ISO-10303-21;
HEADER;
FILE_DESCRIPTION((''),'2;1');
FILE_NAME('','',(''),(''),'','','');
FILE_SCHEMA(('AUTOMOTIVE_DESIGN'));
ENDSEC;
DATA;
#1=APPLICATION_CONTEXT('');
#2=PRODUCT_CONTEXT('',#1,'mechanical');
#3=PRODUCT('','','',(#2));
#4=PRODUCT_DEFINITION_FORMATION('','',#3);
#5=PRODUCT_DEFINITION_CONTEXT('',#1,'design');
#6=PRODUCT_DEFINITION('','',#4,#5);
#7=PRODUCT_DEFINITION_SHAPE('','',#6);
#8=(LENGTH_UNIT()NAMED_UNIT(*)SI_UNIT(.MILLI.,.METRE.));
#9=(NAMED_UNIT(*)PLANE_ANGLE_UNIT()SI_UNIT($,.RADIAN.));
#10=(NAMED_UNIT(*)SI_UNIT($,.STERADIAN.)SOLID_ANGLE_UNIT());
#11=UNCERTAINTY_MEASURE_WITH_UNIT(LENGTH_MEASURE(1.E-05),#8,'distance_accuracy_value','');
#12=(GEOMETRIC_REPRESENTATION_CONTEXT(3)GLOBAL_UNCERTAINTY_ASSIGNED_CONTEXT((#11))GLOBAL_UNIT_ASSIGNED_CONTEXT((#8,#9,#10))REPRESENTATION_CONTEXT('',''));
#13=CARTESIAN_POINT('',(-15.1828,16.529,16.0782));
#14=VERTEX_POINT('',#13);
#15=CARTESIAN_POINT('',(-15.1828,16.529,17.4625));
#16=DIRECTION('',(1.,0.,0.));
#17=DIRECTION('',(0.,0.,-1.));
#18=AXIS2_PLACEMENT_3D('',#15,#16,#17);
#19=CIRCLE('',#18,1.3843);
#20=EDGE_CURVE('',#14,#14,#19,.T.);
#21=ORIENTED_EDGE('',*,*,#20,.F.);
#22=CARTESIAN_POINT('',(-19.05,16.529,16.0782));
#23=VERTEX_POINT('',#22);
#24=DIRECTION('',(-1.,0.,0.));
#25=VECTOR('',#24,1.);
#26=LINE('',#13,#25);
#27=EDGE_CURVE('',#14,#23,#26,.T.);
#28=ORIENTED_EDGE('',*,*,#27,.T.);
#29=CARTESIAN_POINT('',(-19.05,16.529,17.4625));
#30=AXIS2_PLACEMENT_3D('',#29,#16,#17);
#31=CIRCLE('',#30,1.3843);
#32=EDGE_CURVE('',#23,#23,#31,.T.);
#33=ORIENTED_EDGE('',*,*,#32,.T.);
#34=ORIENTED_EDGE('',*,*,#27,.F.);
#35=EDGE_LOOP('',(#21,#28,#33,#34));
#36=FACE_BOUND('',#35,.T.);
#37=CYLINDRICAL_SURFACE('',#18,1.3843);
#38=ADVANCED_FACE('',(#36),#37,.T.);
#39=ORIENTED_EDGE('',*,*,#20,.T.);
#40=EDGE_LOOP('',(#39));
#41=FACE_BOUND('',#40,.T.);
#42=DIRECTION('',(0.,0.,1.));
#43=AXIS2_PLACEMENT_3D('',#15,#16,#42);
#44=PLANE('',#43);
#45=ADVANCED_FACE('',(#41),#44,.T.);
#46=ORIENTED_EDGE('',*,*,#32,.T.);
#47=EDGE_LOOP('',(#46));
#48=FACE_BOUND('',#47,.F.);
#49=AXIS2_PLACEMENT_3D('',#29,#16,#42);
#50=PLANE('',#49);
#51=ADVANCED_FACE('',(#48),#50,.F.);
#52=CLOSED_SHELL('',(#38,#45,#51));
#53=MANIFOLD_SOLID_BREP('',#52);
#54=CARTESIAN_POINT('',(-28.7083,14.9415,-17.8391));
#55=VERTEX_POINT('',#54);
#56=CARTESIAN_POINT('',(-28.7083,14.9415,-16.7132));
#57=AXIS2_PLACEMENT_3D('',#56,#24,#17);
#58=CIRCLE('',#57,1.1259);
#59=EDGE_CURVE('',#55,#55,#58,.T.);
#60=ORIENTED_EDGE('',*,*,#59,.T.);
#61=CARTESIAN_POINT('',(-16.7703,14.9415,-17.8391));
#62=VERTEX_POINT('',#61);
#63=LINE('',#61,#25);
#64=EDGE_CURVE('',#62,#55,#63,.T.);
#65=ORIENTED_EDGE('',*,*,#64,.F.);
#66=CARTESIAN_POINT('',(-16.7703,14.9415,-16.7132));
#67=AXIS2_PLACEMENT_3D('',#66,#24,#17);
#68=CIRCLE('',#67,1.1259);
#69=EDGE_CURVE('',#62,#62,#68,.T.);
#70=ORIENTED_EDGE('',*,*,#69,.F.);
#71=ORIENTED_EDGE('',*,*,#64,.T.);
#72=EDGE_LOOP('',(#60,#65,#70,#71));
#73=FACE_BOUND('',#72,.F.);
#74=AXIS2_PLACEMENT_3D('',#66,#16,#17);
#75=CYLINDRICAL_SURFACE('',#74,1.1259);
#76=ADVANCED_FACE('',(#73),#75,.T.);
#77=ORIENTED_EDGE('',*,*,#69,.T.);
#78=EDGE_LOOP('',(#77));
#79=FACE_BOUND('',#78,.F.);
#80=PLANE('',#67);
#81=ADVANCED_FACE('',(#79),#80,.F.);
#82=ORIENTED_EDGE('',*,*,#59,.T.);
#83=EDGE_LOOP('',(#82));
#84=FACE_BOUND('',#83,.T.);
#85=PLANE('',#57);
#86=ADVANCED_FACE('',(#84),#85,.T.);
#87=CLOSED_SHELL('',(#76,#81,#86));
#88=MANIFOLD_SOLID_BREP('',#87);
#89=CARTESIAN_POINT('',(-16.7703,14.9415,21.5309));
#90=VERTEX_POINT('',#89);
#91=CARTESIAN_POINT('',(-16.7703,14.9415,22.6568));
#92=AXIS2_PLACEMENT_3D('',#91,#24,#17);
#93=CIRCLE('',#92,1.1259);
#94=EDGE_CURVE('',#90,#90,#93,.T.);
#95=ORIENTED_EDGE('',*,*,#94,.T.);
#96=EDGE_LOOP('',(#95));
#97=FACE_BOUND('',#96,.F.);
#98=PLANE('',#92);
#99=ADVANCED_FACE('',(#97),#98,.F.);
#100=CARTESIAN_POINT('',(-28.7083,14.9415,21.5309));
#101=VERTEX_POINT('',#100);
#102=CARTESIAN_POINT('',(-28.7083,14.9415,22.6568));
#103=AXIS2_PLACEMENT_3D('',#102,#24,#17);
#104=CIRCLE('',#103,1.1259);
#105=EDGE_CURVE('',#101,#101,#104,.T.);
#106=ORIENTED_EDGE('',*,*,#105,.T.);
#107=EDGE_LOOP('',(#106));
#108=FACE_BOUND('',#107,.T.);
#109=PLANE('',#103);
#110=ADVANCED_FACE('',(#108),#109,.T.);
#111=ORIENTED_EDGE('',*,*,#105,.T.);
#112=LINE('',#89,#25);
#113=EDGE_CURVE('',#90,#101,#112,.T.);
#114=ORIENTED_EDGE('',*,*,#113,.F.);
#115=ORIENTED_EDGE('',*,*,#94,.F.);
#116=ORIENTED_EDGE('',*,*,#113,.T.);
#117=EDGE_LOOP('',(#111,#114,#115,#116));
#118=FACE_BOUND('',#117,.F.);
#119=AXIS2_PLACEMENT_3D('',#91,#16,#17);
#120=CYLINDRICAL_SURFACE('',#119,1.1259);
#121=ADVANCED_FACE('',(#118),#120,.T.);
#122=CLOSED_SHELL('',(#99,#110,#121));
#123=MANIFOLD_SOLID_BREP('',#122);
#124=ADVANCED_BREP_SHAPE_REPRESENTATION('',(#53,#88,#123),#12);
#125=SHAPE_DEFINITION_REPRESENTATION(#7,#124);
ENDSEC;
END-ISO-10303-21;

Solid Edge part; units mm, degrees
sketch "Sketch1" plane through (-15.1828, 13.5699, 2.9591) normal (1, 0, 0) x (0, 0, -1)
  circle A0 centre (-14.5034, 2.9591) radius 1.3843
extrude "Protrusion1" add sketch "Sketch1" against normal up to vertex (3.8672 mm away)
sketch "Sketch2" plane through (-16.7703, 11.9824, 2.9591) normal (-1, 0, 0) x (0, 0, -1)
  circle A0 centre (-19.6977, -2.9591) radius 1.1259
  circle A1 centre (19.6723, -2.9591) radius 1.1259
  dimension "D1" = 6.985
extrude "Protrusion2" add sketch "Sketch2" along normal blind 11.938
